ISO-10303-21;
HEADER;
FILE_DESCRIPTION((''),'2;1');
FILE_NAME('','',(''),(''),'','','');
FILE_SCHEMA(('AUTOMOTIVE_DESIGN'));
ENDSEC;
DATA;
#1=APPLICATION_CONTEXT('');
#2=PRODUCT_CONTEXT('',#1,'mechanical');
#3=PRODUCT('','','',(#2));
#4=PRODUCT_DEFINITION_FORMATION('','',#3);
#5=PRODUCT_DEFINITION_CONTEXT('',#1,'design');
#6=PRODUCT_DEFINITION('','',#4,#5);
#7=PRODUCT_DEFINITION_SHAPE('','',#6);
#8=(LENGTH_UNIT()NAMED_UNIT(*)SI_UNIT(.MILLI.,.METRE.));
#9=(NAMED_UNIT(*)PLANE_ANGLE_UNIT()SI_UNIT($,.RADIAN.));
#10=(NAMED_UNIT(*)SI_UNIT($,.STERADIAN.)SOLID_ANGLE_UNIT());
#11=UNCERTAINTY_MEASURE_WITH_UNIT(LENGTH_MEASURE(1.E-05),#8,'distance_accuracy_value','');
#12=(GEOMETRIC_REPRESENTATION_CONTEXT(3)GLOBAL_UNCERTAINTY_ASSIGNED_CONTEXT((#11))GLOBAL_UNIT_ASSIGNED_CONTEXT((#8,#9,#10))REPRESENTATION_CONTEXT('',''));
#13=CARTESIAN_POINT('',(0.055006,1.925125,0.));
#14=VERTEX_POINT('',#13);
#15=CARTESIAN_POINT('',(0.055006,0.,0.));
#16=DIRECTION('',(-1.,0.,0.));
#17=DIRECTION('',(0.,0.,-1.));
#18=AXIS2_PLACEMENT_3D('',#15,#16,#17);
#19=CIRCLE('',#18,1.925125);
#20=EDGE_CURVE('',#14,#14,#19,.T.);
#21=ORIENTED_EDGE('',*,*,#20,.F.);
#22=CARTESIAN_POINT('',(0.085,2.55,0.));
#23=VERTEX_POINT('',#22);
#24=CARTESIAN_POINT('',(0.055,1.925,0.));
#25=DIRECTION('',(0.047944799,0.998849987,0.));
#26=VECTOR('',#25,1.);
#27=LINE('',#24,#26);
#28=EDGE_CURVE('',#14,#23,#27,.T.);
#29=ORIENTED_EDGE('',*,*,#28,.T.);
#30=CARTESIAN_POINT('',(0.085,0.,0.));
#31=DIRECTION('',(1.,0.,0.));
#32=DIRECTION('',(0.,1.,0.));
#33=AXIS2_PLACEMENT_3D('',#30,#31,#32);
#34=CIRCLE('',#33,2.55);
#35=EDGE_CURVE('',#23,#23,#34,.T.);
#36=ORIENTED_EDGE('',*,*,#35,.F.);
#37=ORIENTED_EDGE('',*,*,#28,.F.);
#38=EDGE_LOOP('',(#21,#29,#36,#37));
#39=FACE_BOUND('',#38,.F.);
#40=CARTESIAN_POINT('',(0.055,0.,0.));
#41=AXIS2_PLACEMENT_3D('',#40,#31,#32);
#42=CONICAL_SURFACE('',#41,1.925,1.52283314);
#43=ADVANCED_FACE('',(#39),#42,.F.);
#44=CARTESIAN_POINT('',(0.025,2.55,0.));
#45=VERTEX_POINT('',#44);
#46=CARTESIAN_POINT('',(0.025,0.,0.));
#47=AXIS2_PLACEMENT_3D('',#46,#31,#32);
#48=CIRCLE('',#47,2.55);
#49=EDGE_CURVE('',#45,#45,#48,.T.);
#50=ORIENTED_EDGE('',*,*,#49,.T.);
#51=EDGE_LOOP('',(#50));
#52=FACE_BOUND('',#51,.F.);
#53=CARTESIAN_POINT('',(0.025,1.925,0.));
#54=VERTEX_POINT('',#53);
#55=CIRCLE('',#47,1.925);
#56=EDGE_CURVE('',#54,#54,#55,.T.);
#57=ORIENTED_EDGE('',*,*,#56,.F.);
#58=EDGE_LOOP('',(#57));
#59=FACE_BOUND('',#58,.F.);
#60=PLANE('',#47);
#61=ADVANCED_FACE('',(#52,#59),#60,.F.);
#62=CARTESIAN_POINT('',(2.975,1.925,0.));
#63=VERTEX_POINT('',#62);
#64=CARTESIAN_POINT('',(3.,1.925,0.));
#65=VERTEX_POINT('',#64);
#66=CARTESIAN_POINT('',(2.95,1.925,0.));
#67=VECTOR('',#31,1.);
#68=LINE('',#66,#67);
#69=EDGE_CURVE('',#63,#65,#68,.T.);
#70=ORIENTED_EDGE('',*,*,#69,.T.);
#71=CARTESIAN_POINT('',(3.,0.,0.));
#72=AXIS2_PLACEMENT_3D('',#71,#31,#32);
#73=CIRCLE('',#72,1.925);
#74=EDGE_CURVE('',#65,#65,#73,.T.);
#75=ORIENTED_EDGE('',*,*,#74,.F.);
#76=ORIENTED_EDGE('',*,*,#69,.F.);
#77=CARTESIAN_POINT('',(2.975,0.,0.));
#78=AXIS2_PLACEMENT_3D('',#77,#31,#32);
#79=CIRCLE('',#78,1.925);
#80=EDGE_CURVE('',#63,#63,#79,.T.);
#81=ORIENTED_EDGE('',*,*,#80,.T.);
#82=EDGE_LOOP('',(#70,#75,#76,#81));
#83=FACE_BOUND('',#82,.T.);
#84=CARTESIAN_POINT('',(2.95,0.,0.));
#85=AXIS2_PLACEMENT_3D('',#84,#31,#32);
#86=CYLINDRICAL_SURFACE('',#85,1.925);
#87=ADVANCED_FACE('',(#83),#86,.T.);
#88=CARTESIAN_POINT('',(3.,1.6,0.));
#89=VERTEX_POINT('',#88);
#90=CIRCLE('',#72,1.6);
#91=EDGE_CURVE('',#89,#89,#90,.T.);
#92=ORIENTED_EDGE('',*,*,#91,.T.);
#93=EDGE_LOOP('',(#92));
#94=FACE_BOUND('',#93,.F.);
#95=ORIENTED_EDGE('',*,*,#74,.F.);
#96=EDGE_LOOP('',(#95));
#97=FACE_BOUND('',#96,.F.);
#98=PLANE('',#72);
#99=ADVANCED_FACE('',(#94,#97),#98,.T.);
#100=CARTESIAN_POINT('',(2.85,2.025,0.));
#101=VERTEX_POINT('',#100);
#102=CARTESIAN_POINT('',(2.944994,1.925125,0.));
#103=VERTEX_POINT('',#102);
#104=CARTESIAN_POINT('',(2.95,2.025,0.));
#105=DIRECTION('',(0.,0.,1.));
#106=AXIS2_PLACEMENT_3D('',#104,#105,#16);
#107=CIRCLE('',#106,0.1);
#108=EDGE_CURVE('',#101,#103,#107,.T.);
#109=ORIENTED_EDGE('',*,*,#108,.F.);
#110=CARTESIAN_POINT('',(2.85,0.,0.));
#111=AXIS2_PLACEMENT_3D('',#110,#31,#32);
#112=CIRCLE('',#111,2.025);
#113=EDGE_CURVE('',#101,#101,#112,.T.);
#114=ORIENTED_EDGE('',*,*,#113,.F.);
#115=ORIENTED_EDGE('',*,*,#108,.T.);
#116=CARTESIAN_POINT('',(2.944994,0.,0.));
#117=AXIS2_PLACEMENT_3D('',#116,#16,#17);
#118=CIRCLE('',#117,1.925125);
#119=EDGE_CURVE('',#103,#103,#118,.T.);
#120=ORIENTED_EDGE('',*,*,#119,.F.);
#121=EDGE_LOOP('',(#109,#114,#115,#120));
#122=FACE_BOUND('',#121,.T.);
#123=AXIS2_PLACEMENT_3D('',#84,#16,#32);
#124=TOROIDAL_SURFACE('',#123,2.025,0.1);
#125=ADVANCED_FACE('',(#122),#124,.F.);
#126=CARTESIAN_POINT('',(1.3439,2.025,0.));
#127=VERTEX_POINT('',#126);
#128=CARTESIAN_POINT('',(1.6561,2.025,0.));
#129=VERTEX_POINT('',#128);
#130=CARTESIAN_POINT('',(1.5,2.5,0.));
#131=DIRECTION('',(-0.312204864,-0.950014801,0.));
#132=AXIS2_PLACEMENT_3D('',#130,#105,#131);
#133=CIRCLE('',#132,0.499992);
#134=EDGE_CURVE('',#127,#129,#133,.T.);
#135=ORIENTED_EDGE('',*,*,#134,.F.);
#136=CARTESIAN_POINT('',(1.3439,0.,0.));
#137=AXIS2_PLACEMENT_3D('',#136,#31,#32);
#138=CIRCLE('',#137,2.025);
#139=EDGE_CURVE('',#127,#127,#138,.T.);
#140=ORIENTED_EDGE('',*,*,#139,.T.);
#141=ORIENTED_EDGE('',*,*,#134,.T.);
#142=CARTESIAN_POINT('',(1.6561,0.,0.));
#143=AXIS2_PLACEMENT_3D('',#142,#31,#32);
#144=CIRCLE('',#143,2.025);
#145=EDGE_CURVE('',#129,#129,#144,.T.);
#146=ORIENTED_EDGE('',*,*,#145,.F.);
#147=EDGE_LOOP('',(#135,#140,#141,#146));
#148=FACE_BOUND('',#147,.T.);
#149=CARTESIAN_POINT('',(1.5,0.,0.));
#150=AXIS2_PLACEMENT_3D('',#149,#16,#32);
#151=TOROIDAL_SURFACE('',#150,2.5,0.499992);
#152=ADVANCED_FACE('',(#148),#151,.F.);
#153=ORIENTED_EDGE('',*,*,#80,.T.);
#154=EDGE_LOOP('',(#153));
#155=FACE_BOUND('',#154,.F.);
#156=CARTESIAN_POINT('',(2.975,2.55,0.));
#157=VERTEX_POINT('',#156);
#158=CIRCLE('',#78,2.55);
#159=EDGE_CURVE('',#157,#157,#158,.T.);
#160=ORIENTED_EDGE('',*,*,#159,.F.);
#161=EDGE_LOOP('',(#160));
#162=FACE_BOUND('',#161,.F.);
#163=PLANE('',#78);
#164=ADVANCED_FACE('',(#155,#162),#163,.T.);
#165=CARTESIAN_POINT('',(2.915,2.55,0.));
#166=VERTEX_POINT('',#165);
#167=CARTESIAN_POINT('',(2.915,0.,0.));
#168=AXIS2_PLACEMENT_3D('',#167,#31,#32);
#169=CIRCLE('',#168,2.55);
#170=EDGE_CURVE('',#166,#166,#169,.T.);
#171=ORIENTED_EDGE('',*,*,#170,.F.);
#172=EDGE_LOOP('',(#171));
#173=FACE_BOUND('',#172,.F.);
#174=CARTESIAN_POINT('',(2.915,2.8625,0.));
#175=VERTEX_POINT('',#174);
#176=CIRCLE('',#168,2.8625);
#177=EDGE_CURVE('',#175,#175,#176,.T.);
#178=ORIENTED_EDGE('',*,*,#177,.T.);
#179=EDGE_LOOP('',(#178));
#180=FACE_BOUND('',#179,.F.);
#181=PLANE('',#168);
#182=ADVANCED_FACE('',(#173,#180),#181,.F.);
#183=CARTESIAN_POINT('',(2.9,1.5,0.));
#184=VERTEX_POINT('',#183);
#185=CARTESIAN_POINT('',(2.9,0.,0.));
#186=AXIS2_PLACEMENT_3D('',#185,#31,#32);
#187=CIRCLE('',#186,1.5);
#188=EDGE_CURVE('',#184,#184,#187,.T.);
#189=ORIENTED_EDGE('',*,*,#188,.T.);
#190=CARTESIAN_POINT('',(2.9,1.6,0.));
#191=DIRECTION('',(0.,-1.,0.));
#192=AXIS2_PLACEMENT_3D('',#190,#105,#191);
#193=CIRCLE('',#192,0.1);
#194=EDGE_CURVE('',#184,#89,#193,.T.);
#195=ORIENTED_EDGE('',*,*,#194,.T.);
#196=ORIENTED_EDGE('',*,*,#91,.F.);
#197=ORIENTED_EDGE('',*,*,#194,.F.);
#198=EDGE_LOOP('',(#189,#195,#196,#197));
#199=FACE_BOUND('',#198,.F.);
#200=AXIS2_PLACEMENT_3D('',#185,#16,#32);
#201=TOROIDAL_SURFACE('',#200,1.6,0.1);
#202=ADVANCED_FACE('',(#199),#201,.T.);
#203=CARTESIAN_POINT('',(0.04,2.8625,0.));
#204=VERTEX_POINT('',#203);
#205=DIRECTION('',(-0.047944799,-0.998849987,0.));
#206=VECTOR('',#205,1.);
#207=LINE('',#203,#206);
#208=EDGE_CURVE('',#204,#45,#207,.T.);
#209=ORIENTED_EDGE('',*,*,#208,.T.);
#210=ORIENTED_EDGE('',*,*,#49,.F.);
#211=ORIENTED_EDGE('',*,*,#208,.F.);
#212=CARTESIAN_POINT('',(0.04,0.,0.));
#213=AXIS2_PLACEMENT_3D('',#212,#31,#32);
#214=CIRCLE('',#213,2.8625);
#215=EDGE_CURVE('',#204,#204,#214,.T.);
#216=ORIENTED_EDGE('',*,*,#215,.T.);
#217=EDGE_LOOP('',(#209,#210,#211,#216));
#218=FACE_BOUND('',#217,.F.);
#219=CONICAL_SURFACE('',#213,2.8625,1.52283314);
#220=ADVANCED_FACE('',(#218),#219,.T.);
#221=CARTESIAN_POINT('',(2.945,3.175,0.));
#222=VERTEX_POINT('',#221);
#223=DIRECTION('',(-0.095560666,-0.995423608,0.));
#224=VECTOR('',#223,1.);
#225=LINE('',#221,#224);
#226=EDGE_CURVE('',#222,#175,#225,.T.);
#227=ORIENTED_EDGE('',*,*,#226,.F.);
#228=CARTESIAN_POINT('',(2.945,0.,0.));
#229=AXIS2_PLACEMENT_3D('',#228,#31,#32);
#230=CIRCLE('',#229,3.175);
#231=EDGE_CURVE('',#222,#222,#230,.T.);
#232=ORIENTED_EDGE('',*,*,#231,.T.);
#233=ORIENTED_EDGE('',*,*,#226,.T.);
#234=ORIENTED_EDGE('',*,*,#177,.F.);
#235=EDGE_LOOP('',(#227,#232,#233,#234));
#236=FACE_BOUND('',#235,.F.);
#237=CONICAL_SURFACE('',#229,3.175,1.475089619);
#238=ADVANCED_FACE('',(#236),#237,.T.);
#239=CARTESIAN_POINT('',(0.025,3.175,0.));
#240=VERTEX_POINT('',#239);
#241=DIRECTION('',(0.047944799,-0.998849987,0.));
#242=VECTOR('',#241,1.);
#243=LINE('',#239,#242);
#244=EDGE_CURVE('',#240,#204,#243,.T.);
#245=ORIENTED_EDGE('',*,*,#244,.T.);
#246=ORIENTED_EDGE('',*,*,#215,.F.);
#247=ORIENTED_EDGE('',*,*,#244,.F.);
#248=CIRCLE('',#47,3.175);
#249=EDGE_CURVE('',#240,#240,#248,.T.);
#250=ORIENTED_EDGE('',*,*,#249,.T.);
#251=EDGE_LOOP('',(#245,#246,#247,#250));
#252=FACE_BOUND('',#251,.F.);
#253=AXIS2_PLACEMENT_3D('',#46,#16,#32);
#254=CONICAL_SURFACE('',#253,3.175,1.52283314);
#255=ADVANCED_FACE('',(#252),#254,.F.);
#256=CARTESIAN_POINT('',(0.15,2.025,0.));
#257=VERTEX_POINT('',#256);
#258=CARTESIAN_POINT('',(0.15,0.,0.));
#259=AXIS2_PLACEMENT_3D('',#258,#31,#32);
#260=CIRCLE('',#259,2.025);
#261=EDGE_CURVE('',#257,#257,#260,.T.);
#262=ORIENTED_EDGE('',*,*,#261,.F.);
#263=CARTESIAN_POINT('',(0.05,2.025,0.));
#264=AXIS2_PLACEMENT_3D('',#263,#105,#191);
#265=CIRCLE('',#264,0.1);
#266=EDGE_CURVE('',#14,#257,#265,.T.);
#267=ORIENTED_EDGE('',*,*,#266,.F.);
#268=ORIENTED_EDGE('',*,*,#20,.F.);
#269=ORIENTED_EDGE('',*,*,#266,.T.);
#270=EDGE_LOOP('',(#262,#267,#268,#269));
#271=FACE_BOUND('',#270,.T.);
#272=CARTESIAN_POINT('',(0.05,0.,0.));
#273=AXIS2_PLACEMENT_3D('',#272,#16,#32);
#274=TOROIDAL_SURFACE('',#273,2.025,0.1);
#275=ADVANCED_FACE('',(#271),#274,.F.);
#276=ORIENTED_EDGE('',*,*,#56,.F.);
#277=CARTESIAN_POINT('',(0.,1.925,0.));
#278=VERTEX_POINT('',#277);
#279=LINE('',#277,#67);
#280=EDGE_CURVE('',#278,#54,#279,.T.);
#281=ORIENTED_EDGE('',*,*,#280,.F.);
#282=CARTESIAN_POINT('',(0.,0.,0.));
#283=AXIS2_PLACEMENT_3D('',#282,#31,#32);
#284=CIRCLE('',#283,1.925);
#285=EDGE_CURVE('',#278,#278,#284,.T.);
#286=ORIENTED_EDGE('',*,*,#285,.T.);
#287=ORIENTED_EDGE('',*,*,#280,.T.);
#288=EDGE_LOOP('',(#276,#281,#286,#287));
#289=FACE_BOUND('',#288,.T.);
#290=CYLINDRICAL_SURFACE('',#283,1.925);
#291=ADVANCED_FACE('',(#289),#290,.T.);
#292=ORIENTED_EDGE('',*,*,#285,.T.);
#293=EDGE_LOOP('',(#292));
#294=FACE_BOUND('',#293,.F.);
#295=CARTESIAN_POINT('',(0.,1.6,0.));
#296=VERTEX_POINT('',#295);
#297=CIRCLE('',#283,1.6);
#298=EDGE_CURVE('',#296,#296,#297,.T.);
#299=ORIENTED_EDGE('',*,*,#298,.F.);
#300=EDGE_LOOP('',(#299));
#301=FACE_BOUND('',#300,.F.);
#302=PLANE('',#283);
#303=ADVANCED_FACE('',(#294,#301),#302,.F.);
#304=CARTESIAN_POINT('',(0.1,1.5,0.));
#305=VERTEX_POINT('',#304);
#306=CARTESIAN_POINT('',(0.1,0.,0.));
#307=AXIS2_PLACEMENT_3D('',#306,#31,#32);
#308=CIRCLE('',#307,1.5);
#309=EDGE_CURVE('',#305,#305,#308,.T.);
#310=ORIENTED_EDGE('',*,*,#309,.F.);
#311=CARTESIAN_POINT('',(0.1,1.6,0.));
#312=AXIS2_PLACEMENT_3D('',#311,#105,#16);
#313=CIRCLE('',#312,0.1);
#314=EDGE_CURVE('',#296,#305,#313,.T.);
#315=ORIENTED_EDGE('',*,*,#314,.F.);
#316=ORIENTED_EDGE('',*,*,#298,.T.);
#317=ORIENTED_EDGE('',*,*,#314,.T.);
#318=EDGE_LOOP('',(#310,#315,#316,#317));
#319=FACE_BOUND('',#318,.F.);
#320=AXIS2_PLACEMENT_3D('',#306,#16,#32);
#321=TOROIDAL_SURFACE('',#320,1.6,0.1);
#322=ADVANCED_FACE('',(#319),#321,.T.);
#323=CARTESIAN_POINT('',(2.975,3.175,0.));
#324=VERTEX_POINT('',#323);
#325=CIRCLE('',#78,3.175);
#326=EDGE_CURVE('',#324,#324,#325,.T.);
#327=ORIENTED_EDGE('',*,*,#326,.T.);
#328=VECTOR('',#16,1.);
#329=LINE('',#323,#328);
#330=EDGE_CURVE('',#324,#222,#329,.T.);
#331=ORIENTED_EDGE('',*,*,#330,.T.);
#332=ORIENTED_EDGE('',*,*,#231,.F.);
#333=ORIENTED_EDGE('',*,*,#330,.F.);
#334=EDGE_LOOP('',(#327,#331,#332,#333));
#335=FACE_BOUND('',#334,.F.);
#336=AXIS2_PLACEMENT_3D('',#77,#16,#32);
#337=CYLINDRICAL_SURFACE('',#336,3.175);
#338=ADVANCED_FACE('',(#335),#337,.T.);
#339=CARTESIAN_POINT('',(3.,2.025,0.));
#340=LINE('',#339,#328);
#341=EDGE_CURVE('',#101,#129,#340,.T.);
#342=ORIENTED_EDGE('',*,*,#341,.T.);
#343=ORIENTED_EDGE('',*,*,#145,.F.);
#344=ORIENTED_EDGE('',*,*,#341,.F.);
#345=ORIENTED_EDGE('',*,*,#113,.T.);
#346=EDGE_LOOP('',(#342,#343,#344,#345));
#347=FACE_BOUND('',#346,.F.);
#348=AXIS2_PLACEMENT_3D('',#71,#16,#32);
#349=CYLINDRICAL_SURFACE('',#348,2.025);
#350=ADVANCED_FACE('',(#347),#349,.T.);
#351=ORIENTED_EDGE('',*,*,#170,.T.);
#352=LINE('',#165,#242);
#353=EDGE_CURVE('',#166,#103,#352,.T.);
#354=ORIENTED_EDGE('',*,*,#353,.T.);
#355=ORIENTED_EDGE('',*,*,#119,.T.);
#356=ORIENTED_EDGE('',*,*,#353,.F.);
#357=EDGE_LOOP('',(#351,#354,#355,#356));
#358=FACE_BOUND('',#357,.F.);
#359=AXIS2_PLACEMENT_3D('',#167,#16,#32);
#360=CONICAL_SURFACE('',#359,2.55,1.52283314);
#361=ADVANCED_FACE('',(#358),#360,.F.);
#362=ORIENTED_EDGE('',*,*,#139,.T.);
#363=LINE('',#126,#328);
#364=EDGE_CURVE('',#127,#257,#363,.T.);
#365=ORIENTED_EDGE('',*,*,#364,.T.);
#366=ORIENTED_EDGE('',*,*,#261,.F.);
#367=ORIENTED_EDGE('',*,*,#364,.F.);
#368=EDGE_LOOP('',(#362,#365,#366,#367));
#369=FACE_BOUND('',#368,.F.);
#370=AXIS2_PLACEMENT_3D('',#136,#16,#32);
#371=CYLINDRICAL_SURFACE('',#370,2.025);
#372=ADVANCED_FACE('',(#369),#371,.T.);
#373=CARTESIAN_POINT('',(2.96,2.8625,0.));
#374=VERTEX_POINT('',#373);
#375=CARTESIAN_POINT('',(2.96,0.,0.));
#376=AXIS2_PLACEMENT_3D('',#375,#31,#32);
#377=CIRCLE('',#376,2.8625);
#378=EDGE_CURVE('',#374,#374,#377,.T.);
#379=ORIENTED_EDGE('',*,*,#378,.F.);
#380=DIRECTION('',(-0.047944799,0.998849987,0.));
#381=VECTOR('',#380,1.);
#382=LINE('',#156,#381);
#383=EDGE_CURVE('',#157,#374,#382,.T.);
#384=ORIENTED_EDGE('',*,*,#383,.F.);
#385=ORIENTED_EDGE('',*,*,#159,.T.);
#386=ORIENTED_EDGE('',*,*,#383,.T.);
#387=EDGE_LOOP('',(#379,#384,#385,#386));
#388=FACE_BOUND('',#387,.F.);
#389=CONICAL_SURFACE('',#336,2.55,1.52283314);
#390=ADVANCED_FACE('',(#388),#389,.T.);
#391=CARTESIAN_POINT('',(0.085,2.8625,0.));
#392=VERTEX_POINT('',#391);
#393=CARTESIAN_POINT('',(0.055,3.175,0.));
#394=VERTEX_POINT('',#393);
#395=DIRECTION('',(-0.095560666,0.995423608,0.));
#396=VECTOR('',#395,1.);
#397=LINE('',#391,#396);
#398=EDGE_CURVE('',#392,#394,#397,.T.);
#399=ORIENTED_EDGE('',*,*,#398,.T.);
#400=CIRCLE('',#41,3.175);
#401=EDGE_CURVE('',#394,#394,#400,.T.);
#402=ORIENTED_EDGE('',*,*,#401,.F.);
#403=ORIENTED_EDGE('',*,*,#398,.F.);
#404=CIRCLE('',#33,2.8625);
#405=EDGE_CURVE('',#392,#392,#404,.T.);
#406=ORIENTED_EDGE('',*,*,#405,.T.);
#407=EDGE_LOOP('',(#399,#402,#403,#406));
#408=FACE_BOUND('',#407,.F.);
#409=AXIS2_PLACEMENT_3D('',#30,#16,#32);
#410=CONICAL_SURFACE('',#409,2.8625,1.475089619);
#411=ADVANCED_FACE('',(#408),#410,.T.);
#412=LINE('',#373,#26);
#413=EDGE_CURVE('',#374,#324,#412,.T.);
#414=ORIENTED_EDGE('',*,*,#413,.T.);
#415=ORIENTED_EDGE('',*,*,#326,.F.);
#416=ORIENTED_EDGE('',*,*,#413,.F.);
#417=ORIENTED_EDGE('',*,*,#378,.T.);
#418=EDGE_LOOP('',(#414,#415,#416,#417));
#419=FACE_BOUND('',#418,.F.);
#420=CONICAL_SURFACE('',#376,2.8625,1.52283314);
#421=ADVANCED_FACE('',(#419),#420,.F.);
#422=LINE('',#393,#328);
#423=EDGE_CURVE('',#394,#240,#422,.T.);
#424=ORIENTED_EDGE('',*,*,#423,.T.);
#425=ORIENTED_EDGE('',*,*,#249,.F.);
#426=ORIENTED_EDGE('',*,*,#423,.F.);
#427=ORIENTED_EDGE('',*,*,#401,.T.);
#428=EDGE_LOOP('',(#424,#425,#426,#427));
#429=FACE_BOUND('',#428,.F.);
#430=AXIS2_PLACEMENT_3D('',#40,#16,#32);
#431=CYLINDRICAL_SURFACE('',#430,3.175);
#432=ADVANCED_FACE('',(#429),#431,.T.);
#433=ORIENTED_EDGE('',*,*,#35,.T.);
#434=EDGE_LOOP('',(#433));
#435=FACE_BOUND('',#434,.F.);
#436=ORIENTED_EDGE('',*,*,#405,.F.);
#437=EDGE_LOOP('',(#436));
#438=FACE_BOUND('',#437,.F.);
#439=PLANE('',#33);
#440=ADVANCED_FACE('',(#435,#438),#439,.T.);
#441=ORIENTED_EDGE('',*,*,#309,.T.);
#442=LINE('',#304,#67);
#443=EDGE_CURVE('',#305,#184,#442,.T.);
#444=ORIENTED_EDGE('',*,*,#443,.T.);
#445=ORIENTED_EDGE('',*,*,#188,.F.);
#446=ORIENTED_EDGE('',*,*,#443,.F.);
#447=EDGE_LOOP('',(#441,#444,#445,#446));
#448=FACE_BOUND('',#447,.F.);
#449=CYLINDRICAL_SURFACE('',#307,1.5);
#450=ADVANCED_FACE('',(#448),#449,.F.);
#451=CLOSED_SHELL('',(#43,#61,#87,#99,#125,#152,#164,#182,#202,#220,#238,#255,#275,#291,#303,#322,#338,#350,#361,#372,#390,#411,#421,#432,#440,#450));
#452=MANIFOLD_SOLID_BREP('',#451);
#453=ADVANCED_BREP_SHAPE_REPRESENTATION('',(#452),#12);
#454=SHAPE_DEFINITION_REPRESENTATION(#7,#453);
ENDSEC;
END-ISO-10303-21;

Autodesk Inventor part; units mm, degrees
ref_plane "YZ Plane" through (0, 0, 0) normal (1, 0, 0) x (0, 1, 0)
ref_plane "XZ Plane" through (0, 0, 0) normal (0, 1, 0) x (-1, 0, 0)
ref_plane "XY Plane" through (0, 0, 0) normal (0, 0, 1) x (1, 0, 0)
sketch "Sketch_36" plane through (0, 0, 0) normal (0, 0, 1) x (1, 0, 0)
  line L0 (1.5, 0) -> (-1.5, 0)
  arc A0 (0, 1.6) -> (0.1, 1.5) centre (0.1, 1.6) ccw
  line L1 (0.1, 1.5) -> (2.9, 1.5)
  arc A1 (2.9, 1.5) -> (3, 1.6) centre (2.9, 1.6) ccw
  line L2 (3, 1.6) -> (3, 2.025)
  line L3 (3, 2.025) -> (1.6561, 2.025)
  arc A2 (1.3439, 2.025) -> (1.6561, 2.025) centre (1.5, 2.5) ccw
  line L4 (1.3439, 2.025) -> (0, 2.025)
  line L5 (0, 2.025) -> (0, 1.6)
revolve "Revolution1" add sketch "Sketch_36" angle 360 about axis through (1.5, 0, 0) along (1, 0, 0)
sketch "Sketch_37" plane through (0, 0, 0) normal (0, 0, 1) x (1, 0, 0)
  line L0 (1.5, 0) -> (-1.5, 0)
  line L1 (0, 3.175) -> (0, 1.925)
  line L2 (0, 1.925) -> (0.05, 1.925)
  arc A0 (0.05, 1.925) -> (0.15, 2.025) centre (0.05, 2.025) ccw
  line L3 (0.15, 2.025) -> (0.15, 3.075)
  line L4 (0.15, 3.075) -> (2.85, 3.075)
  line L5 (2.85, 3.075) -> (2.85, 2.025)
  arc A1 (2.85, 2.025) -> (2.95, 1.925) centre (2.95, 2.025) ccw
  line L6 (2.95, 1.925) -> (3, 1.925)
  line L7 (3, 1.925) -> (3, 3.175)
  line L8 (3, 3.175) -> (0, 3.175)
revolve "Revolution2" cut sketch "Sketch_37" angle 360 about axis through (1.5, 0, 0) along (1, 0, 0)
sketch "Sketch_38" plane through (0, 0, 0) normal (0, 0, 1) x (1, 0, 0)
  line L0 (50, 0) -> (-50, 0)
  line L1 (0.025, 3.175) -> (0.04, 2.8625)
  line L2 (0.04, 2.8625) -> (0.025, 2.55)
  line L3 (0.025, 2.55) -> (0.025, 1.925)
  line L4 (0.025, 1.925) -> (0.055, 1.925)
  line L5 (0.055, 1.925) -> (0.085, 2.55)
  line L6 (0.085, 2.55) -> (0.085, 2.8625)
  line L7 (0.085, 2.8625) -> (0.055, 3.175)
  line L8 (0.055, 3.175) -> (0.025, 3.175)
revolve "Revolution3" add sketch "Sketch_38" angle 360 about axis through (50, 0, 0) along (1, 0, 0)
sketch "Sketch_39" plane through (0, 0, 0) normal (0, 0, 1) x (1, 0, 0)
  line L0 (50, 0) -> (-50, 0)
  line L1 (2.915, 2.8625) -> (2.915, 2.55)
  line L2 (2.915, 2.55) -> (2.945, 1.925)
  line L3 (2.945, 1.925) -> (2.975, 1.925)
  line L4 (2.975, 1.925) -> (2.975, 2.55)
  line L5 (2.975, 2.55) -> (2.96, 2.8625)
  line L6 (2.96, 2.8625) -> (2.975, 3.175)
  line L7 (2.975, 3.175) -> (2.945, 3.175)
  line L8 (2.945, 3.175) -> (2.915, 2.8625)
revolve "Revolution4" add sketch "Sketch_39" angle 360 about axis through (50, 0, 0) along (1, 0, 0)
properties part number "W 638/3 R-2Z_PART1"
